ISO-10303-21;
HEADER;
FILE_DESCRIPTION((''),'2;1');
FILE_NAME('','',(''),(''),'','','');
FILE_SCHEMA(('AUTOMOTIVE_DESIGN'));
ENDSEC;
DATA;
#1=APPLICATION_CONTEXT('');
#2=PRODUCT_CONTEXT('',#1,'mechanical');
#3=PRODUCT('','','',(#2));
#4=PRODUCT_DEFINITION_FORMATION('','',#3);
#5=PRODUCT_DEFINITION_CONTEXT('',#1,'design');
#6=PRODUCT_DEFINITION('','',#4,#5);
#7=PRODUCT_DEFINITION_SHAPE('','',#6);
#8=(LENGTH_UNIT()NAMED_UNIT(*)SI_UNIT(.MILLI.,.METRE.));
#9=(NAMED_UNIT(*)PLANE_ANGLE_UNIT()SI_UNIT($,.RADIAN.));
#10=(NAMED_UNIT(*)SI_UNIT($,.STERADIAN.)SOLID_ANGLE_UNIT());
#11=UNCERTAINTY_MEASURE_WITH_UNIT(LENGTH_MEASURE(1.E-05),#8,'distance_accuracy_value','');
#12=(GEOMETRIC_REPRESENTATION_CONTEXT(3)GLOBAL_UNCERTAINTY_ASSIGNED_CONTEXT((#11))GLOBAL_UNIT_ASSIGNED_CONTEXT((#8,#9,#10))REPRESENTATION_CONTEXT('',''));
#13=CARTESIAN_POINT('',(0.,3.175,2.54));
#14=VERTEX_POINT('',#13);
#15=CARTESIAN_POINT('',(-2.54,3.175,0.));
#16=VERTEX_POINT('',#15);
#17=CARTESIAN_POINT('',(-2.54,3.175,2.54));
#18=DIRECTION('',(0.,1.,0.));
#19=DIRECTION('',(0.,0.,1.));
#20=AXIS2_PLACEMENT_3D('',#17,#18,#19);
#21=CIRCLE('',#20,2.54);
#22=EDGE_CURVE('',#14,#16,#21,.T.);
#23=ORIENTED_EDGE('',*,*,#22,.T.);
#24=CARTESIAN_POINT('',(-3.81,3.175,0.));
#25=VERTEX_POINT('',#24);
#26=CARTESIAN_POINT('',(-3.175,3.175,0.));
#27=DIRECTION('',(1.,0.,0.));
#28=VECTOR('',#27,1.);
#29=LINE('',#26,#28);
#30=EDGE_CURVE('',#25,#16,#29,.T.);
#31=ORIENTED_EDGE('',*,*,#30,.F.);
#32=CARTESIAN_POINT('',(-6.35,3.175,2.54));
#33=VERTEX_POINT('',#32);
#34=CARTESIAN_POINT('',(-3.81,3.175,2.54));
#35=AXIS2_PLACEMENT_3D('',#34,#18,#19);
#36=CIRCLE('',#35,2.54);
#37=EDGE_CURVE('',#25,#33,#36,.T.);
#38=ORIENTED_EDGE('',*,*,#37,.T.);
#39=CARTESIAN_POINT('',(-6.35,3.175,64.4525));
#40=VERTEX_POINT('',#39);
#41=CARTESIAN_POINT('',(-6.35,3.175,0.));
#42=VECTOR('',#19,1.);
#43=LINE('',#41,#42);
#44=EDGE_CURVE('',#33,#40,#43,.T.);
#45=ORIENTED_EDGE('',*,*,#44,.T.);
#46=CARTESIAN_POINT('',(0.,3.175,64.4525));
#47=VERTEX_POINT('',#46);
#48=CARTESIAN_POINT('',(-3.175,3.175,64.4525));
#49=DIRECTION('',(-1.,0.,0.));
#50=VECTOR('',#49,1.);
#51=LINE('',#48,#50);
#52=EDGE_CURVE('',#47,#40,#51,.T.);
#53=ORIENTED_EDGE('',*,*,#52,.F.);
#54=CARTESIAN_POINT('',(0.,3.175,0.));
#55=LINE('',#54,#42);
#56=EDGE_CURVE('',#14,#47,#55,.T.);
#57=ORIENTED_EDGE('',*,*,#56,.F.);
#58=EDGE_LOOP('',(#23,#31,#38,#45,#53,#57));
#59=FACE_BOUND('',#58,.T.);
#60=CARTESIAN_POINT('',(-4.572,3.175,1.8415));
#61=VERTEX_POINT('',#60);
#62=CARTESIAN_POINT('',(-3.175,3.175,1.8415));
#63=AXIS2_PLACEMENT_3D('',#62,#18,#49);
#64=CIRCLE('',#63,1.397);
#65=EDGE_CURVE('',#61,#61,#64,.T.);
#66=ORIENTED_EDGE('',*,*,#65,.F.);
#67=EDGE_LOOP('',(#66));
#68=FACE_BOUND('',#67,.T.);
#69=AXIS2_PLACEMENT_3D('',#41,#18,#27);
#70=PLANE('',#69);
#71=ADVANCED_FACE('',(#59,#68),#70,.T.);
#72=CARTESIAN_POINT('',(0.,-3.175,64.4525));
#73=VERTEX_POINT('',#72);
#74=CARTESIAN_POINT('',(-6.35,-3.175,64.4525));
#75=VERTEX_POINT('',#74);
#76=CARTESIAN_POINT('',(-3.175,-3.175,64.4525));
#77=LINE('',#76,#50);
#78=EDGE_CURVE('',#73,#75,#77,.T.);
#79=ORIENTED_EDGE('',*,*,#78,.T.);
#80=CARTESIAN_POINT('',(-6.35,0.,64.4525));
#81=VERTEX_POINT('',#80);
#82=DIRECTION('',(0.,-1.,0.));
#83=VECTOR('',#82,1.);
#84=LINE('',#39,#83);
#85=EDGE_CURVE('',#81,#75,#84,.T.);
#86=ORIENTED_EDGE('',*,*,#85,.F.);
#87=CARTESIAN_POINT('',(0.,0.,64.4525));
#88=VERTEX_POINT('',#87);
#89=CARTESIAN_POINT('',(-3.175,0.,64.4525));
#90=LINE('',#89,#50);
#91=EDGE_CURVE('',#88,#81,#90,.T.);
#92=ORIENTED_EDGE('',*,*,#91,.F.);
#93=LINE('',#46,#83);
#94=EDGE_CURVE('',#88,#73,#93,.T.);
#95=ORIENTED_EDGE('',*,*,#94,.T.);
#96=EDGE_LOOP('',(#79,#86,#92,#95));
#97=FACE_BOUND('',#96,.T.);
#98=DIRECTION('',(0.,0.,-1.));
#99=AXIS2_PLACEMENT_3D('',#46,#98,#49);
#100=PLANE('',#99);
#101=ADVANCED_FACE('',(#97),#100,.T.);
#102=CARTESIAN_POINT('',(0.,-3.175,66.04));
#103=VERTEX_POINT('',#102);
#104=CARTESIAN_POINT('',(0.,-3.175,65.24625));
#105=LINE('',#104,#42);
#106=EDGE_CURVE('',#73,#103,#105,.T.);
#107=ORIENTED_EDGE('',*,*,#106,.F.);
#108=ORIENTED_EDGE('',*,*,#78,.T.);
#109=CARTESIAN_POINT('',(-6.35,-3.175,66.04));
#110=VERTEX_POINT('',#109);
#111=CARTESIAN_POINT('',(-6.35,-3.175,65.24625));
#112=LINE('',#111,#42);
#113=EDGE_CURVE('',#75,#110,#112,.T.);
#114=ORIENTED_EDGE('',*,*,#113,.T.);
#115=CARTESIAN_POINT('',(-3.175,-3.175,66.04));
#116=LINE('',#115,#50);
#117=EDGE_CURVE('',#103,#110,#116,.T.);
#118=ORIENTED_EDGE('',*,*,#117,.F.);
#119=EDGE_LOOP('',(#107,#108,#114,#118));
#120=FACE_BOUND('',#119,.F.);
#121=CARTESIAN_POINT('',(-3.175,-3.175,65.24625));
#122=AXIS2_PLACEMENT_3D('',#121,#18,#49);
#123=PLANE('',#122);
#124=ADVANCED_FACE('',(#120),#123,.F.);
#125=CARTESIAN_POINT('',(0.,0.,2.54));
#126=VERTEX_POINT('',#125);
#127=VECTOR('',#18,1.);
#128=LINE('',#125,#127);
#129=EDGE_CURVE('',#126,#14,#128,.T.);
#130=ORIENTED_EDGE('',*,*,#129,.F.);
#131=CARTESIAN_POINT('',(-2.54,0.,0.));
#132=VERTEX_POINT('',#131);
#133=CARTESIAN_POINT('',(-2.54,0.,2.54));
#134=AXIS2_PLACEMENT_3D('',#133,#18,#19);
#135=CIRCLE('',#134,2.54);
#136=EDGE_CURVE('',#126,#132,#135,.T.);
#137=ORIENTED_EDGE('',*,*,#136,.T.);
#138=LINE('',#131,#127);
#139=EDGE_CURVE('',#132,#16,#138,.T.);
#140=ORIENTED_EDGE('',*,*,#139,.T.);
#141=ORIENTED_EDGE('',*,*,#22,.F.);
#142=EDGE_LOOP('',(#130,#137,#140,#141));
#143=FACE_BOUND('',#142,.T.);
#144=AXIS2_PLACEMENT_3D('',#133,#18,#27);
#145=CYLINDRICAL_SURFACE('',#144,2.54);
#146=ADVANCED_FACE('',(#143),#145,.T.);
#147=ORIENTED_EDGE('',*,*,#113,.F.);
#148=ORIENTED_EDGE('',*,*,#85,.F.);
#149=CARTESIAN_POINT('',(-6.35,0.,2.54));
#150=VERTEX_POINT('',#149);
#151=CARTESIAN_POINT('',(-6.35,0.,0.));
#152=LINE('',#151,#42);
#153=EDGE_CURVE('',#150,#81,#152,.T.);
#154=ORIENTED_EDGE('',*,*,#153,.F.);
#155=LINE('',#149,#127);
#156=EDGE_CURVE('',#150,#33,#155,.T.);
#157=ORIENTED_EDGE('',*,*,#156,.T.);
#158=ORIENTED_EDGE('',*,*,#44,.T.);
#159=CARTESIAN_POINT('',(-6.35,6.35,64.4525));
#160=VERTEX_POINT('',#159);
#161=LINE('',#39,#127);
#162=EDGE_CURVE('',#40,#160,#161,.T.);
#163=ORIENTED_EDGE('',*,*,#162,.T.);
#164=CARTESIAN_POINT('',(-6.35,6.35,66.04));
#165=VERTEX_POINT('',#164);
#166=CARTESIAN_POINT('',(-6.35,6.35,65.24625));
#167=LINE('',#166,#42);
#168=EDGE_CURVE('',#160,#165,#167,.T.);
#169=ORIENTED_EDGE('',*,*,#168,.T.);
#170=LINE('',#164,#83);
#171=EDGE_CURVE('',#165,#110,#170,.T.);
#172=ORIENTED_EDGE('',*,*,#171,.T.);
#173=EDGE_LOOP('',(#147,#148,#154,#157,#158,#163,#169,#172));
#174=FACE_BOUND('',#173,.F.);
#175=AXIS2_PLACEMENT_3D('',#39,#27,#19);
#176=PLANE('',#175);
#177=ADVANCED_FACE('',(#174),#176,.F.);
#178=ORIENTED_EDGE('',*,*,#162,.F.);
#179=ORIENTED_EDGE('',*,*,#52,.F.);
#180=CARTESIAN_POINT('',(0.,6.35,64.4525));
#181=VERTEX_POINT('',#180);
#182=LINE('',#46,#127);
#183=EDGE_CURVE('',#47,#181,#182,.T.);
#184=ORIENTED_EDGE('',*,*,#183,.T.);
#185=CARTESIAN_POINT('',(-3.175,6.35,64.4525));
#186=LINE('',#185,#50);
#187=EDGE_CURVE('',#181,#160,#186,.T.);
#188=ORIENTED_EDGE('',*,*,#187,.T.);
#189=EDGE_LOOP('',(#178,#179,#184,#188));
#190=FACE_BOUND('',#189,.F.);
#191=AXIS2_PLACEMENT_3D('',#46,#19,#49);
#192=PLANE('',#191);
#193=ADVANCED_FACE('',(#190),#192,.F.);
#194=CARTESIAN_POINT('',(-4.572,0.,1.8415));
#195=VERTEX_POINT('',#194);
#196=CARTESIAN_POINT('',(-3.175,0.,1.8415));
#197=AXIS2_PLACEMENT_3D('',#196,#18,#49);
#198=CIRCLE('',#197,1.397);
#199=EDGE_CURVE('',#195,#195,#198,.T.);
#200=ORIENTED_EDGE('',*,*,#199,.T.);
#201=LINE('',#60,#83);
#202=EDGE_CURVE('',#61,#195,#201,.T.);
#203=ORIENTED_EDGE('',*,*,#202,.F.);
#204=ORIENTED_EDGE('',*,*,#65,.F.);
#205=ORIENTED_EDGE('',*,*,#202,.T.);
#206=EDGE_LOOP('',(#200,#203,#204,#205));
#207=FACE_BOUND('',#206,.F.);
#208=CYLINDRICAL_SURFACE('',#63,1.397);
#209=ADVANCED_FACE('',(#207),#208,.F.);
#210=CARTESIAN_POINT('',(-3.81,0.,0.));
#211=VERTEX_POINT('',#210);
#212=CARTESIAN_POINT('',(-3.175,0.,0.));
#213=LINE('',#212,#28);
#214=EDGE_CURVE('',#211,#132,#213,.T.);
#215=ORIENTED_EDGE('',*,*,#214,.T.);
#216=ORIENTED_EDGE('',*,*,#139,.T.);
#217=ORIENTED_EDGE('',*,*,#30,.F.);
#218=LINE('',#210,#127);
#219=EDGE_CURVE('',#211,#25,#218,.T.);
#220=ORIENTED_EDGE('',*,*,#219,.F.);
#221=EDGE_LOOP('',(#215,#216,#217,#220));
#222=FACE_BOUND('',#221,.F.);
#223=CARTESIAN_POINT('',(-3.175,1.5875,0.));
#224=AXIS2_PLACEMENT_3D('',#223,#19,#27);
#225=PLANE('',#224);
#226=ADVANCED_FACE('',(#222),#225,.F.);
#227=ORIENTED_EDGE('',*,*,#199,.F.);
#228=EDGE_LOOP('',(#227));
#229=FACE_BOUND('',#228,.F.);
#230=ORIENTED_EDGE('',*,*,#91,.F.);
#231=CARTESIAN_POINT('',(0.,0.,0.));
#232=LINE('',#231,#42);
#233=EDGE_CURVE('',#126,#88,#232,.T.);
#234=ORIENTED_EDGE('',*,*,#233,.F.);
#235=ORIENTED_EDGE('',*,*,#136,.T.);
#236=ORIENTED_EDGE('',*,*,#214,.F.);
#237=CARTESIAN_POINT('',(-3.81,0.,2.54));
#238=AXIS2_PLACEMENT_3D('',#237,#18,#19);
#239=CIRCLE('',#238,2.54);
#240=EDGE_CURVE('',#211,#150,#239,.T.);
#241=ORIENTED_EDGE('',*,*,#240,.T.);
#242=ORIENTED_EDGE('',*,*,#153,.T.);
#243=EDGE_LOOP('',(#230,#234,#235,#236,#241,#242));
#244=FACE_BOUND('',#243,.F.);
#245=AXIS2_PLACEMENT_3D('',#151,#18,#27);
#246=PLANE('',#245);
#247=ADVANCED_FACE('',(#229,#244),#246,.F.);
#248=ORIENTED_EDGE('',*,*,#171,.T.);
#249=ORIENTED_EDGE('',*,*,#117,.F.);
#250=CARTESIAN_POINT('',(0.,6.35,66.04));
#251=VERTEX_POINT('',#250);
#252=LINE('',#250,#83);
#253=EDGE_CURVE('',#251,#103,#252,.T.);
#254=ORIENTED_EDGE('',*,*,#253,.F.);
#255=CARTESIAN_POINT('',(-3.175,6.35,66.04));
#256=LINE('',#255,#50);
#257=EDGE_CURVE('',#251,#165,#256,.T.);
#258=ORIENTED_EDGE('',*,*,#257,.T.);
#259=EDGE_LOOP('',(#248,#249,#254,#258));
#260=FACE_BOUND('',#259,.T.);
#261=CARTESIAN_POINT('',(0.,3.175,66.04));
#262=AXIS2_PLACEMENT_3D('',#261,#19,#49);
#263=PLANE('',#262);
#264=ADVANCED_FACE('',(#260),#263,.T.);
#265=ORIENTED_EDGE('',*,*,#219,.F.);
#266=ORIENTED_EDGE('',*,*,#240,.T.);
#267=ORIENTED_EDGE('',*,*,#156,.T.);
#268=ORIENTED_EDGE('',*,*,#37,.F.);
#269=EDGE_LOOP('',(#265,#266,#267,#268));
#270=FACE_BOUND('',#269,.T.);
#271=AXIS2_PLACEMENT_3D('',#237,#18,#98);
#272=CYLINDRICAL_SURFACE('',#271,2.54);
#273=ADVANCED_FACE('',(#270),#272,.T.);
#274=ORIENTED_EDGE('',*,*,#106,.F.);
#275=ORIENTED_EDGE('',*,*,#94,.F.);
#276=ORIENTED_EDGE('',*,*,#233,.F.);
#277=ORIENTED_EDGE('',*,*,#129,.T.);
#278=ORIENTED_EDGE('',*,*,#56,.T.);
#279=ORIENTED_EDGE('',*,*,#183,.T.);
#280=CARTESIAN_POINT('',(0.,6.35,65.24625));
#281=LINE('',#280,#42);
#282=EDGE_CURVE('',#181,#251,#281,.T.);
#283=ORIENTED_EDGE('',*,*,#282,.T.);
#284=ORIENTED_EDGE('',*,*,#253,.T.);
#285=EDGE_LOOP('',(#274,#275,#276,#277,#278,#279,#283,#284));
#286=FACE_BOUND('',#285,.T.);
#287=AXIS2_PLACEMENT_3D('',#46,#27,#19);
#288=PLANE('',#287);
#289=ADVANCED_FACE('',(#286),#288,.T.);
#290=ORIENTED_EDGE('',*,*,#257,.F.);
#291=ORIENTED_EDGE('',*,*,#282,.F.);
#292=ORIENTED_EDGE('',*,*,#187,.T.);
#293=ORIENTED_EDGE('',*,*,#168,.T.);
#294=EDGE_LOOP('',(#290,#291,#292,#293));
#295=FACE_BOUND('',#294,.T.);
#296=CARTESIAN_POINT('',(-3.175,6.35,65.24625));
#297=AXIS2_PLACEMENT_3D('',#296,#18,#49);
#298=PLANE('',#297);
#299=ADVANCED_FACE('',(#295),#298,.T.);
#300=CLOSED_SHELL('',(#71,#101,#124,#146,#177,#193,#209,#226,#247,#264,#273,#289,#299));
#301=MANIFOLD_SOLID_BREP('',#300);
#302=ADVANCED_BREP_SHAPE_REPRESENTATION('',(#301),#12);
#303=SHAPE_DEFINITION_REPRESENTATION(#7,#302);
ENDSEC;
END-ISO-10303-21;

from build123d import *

# Parameters (mm, degrees)
F0_W          = 6.35
F0_H          = 3.175
F1_DEPTH      = 66.04
F2_W          = 6.35
F2_H          = 1.5875
F3_DEPTH      = 3.175
F3_DEPTH_BACK = 6.35
F4_R          = 1.397
F5_DEPTH      = 25.4
F6_R          = 2.54


with BuildPart() as f1:
    # F0 (on Top) → F1 (new body)
    with BuildSketch(Plane.XY):
        with Locations((-3.175, 1.5875)):
            Rectangle(F0_W, F0_H)
    extrude(amount=F1_DEPTH)

    # F2 (on face) → F3 (join, two sides)
    with BuildSketch(Plane(origin=(0, 3.175, 0), x_dir=(-1, 0, 0), z_dir=(0, 1, 0))) as f3_sk:
        with Locations((3.175, 65.24625)):
            Rectangle(F2_W, F2_H)
    extrude(amount=F3_DEPTH)
    extrude(f3_sk.sketch, amount=-F3_DEPTH_BACK)

    # F4 (on face) → F5 (cut)
    with BuildSketch(Plane(origin=(0, 3.175, 0), x_dir=(-1, 0, 0), z_dir=(0, 1, 0))):
        with Locations((3.175, 1.8415)):
            Circle(F4_R)
    extrude(amount=-F5_DEPTH, mode=Mode.SUBTRACT)

    # F6
    f6_edges = [f1.edges().sort_by_distance(p)[0] for p in [
        (-6.35, 1.5875, 0),
        (0, 1.5875, 0),
    ]]
    fillet(f6_edges, radius=F6_R)


solid = f1.part
